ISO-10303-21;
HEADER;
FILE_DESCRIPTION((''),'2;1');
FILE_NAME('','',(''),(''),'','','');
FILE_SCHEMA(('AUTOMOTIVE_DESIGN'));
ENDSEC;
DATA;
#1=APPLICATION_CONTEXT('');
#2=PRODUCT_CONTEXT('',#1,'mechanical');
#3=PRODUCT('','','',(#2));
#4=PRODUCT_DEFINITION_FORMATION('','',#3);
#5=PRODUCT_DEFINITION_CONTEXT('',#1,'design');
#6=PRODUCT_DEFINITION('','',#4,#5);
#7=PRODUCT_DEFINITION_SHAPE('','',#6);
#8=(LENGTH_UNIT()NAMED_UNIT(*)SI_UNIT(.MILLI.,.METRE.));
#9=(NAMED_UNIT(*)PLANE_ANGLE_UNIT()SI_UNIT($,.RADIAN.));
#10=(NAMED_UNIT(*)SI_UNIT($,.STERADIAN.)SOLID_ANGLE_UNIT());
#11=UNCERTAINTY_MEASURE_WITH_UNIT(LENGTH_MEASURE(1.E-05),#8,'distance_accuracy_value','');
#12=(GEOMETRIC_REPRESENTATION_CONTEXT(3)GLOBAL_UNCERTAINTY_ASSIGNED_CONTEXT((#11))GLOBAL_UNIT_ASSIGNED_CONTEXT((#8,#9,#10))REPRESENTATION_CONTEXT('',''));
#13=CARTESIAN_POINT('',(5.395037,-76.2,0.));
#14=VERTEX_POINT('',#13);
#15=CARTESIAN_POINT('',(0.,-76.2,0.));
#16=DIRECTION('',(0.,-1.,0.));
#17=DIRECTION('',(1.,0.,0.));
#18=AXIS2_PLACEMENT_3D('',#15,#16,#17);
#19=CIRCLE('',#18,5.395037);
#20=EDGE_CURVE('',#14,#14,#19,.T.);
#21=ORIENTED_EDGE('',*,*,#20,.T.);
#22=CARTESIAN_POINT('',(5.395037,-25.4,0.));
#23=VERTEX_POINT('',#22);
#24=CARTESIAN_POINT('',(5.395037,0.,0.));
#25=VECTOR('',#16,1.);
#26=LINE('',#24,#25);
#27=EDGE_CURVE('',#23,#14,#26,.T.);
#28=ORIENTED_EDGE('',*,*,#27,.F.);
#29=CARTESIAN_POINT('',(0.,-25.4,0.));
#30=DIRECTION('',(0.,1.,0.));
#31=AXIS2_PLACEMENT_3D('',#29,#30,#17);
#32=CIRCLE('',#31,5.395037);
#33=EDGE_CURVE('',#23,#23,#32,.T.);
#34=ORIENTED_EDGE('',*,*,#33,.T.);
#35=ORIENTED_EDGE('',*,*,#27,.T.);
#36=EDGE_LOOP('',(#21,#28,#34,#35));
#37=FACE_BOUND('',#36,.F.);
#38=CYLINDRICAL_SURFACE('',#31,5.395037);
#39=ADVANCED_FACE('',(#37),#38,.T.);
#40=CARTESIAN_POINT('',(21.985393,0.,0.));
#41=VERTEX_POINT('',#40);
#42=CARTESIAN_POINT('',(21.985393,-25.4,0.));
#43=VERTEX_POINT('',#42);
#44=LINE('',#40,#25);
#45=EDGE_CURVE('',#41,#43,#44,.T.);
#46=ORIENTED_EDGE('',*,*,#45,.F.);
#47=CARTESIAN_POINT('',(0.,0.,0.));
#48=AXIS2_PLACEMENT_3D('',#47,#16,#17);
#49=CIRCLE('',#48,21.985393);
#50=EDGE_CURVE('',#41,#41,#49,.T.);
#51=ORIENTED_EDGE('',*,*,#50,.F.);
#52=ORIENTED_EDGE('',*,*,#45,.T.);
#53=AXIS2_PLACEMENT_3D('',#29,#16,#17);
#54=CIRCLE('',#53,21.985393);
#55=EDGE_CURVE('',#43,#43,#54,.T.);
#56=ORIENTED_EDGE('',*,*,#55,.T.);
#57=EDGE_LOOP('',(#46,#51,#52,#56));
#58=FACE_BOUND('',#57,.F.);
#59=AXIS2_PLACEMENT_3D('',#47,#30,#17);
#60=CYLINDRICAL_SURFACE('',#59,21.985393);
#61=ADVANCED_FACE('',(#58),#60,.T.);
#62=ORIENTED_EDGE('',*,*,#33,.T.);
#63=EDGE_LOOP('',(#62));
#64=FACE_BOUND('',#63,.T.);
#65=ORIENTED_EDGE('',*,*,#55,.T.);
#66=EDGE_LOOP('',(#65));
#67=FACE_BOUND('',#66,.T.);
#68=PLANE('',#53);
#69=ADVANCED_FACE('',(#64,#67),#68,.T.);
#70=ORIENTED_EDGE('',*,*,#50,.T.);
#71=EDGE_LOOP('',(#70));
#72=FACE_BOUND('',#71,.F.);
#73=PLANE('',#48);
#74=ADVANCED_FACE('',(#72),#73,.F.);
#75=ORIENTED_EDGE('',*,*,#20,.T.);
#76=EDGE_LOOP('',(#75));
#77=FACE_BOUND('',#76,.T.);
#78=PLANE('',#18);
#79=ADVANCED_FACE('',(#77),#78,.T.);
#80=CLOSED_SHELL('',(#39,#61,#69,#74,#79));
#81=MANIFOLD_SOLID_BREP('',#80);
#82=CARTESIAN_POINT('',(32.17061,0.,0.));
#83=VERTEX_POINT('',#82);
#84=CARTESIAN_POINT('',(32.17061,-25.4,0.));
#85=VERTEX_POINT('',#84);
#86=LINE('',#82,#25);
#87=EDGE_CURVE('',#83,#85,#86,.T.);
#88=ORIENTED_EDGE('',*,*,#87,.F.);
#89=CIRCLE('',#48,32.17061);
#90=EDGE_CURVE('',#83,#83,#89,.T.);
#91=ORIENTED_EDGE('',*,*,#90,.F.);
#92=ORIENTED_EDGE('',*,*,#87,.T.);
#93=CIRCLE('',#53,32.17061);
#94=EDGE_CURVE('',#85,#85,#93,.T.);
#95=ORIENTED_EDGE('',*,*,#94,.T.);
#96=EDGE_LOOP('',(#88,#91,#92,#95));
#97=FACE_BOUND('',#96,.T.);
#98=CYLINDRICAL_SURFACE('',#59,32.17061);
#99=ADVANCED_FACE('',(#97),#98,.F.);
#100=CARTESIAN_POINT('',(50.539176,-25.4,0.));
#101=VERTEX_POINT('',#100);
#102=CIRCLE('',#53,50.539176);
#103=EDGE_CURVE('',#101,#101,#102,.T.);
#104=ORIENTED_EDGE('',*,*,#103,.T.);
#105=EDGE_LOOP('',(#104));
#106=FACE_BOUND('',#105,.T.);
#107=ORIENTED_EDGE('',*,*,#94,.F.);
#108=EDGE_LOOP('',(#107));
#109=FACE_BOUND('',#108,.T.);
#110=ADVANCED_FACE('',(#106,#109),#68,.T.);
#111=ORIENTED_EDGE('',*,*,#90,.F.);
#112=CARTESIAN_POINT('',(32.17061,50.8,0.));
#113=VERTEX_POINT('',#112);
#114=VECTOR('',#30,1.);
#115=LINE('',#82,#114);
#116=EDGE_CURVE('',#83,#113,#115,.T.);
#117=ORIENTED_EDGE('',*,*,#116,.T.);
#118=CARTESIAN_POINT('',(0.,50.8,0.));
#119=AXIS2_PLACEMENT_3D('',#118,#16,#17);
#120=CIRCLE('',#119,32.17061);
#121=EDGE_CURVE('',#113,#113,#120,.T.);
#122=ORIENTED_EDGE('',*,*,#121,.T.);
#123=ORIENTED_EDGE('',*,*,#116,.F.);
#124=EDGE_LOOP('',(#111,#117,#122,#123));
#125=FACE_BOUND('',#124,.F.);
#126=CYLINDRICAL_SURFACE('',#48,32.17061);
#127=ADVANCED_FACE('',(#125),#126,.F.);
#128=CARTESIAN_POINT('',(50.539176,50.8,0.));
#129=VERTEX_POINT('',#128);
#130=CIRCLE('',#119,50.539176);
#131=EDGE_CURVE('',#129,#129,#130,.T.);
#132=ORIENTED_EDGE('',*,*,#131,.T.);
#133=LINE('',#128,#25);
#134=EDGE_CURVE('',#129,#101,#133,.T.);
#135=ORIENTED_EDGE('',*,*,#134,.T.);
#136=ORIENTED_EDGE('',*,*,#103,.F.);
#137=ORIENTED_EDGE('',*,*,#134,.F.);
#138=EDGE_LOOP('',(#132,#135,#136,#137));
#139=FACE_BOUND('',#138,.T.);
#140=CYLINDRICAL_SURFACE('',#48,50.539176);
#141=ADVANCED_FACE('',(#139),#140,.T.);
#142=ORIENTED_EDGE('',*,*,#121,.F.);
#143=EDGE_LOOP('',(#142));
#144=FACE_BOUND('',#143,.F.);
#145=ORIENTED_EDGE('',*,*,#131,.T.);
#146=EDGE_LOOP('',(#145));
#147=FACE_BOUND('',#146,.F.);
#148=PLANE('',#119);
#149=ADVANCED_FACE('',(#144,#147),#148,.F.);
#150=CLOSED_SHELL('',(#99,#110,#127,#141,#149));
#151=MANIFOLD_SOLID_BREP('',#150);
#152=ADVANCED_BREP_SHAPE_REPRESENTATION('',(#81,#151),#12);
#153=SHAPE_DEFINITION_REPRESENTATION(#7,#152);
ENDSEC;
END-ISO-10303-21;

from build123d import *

# Parameters (mm, degrees)
F0_R     = 50.5391757453
F0_R_2   = 32.1706102907
F1_DEPTH = 25.4
F0_R_3   = 5.3950374824
F2_DEPTH = 50.8
F3_DEPTH = 50.8
F4_R     = 21.9853928035
F5_DEPTH = 25.4


with BuildPart() as f1:
    # F0 (on Front) → F1 (new body)
    with BuildSketch(Plane.XZ):
        Circle(F0_R)
        Circle(F0_R_2, mode=Mode.SUBTRACT)
    extrude(amount=F1_DEPTH)

    # F3 (add): a face of the model
    f3_faces = [f1.faces().sort_by_distance(p)[0] for p in [
        (-49.1097119899, 0, 0),
    ]]
    extrude(f3_faces, amount=F3_DEPTH)


with BuildPart() as f1b:
    # F0 (on Front) → F1, piece 2 (new body)
    with BuildSketch(Plane.XZ):
        Circle(F0_R_3)
    extrude(amount=F1_DEPTH)

    # F2 (add): a face of the model
    f2_faces = [f1b.faces().sort_by_distance(p)[0] for p in [
        (0, -25.4, 0),
    ]]
    extrude(f2_faces, amount=F2_DEPTH)

    # F4 (on Front) → F5 (join)
    with BuildSketch(Plane.XZ):
        Circle(F4_R)
    extrude(amount=F5_DEPTH)


solid = Compound([f1.part, f1b.part])
